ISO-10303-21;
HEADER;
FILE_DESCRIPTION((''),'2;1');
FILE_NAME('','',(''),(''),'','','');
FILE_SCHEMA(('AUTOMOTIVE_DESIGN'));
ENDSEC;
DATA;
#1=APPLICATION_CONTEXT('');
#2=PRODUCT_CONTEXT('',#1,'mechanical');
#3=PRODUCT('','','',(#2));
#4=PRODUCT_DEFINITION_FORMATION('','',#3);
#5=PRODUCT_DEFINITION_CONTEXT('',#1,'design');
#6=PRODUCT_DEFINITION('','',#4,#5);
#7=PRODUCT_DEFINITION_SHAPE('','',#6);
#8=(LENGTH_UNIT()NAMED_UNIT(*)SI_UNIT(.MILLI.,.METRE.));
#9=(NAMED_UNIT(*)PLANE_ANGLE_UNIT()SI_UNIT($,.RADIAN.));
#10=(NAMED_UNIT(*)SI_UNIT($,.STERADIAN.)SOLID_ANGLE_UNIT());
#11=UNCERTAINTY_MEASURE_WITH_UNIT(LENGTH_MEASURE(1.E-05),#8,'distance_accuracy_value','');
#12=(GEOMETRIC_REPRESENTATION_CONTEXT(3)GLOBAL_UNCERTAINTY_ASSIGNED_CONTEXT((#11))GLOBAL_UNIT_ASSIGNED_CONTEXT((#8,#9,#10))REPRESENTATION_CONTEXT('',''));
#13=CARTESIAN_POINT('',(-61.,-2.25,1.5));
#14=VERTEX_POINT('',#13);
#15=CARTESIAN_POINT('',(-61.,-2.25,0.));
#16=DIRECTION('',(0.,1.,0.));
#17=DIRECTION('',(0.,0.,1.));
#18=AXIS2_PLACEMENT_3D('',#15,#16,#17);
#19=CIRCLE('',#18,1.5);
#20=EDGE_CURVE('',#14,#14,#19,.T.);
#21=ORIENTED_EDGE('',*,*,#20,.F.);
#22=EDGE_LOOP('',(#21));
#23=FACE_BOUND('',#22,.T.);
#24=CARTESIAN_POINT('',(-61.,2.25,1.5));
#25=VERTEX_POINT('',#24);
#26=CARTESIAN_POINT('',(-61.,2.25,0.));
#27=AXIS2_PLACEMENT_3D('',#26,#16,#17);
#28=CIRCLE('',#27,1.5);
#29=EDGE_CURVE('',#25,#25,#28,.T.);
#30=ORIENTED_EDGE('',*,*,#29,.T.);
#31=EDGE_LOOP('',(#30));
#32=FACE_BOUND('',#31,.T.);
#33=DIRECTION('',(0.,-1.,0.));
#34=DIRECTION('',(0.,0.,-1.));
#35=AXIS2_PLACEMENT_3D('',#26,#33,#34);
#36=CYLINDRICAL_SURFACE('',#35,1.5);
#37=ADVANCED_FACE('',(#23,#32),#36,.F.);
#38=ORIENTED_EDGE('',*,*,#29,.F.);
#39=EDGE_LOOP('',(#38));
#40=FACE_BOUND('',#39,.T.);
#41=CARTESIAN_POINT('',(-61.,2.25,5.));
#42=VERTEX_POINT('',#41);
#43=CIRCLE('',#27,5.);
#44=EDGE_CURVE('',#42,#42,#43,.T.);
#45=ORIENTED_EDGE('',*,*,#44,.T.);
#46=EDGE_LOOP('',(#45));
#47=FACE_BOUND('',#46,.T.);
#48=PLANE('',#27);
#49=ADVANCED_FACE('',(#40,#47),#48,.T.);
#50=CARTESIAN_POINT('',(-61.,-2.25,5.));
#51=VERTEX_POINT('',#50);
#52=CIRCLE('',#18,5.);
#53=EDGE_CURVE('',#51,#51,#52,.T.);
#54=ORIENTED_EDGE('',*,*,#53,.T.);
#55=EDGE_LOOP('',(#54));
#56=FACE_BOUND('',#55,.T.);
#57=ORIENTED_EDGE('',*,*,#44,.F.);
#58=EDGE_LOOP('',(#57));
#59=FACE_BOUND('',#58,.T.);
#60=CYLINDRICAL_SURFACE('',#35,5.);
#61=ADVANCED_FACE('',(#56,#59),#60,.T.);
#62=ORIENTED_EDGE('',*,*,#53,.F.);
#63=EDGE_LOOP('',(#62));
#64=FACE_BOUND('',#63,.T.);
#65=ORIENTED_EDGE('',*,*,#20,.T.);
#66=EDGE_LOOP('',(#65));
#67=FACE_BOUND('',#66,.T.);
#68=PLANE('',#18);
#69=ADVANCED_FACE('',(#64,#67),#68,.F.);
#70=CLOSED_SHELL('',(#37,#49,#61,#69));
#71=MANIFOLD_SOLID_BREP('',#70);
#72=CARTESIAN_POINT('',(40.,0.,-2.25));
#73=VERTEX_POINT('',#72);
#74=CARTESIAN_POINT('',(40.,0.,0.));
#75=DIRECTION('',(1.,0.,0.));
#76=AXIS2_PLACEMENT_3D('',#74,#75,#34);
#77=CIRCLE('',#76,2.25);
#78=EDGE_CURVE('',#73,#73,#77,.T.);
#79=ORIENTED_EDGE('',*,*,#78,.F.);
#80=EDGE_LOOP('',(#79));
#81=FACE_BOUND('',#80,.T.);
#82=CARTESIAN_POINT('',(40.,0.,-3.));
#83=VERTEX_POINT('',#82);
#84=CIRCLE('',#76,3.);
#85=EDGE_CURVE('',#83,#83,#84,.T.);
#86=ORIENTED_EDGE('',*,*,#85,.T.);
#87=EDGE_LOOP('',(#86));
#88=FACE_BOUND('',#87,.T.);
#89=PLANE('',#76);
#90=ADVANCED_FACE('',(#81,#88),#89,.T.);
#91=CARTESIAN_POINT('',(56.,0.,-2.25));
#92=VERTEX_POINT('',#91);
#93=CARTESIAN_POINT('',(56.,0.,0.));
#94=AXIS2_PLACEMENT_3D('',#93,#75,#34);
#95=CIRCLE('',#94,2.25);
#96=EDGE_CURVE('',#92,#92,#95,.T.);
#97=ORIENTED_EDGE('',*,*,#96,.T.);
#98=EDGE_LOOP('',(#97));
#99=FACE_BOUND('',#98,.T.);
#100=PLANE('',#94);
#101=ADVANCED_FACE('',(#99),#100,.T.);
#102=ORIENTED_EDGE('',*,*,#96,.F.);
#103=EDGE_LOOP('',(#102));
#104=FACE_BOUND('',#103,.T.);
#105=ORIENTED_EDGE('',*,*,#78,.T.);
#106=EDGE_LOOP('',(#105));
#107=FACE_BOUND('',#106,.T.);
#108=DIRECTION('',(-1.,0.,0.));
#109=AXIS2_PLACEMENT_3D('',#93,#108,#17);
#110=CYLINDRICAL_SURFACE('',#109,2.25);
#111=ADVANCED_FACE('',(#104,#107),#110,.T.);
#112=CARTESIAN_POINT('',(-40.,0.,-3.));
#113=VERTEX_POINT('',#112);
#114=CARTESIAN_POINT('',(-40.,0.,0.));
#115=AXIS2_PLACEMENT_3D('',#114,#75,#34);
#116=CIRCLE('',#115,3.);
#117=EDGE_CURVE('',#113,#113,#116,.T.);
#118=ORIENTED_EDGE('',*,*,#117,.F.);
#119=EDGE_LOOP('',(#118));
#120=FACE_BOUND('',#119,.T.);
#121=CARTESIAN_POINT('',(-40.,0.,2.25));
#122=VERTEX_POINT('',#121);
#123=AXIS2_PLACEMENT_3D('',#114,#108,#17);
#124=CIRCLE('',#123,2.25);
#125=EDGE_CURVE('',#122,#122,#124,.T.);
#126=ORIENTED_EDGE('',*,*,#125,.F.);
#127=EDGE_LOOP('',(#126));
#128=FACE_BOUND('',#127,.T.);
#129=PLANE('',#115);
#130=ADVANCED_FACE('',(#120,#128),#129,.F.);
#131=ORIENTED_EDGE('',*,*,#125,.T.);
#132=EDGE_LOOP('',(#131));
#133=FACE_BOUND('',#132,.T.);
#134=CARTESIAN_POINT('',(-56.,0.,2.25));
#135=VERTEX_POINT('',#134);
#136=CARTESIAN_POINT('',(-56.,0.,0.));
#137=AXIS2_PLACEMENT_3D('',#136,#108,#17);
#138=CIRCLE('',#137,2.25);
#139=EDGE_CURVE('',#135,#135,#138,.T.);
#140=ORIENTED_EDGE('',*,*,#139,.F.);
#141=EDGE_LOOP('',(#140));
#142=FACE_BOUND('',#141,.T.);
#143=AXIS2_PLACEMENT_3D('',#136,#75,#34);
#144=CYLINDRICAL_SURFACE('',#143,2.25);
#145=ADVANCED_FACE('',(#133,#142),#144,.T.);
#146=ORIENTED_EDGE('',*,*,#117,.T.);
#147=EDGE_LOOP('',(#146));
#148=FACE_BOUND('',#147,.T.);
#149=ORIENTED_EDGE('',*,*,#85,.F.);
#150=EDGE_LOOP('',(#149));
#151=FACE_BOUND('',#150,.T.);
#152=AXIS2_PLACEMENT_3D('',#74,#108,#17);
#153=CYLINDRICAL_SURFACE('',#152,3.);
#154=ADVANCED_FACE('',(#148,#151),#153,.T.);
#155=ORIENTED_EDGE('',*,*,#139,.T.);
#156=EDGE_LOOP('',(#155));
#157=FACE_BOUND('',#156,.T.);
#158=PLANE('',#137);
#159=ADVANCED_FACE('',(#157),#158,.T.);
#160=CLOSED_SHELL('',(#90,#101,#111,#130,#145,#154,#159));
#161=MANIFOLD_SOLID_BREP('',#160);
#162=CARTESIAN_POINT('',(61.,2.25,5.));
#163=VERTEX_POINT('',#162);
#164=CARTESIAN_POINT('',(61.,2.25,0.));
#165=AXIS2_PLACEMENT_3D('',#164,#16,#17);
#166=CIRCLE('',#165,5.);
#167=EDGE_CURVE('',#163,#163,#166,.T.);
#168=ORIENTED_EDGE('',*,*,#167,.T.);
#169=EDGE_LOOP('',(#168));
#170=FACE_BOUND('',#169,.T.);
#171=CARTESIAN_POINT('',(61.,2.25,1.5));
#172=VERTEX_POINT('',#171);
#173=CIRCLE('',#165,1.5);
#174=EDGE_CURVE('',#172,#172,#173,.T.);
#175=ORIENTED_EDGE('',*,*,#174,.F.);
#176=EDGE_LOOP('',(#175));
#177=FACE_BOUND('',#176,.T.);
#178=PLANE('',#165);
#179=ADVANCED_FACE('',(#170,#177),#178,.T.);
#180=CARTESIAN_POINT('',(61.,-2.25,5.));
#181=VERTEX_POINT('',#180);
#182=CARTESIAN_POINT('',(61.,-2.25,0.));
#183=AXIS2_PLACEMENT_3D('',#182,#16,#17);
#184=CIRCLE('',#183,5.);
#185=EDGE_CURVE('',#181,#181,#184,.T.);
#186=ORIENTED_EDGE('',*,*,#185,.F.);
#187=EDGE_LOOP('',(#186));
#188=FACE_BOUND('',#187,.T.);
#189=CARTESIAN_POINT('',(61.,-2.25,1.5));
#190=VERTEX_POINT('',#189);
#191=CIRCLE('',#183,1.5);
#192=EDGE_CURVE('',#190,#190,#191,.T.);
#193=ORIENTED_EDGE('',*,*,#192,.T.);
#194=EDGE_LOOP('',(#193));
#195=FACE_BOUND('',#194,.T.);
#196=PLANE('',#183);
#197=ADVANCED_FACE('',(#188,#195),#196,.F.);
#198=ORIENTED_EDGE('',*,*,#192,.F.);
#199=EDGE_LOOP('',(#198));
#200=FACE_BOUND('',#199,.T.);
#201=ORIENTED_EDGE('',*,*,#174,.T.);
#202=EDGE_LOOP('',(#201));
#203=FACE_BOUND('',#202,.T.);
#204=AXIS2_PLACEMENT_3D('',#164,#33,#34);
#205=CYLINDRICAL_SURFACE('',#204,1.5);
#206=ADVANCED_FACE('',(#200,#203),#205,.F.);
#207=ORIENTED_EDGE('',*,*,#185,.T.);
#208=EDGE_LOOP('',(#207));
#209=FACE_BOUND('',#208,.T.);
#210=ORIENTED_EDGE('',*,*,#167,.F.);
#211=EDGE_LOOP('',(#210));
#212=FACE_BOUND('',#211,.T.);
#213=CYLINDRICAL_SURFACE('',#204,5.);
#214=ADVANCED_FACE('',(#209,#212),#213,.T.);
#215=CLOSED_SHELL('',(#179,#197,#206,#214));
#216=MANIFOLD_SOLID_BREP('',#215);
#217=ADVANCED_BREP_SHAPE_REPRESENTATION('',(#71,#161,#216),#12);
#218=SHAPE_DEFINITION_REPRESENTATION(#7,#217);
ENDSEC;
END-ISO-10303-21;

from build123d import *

# Parameters (mm, degrees)
SKETCH1_R             = 3
BOSS_EXTRUDE1_DEPTH   = 40
SKETCH2_R             = 2.25
BOSS_EXTRUDE2_DEPTH   = 16
BOSS_EXTRUDE4_START   = 16
SKETCH4_R             = 2.25
BOSS_EXTRUDE4_DEPTH   = 16
SKETCH3_R             = 5
SKETCH3_R_2           = 1.5
BOSS_EXTRUDE3_DEPTH   = 2.25
BOSS_EXTRUDE3_2_DEPTH = 2.25


with BuildPart() as part:
    # Sketch1 → Boss-Extrude1 (new, symmetric)
    with BuildSketch(Plane(origin=(0, 0, 0), x_dir=(0, 0, -1), z_dir=(1, 0, 0))):
        Circle(SKETCH1_R)
    extrude(amount=BOSS_EXTRUDE1_DEPTH, both=True)

    # Sketch2 → Boss-Extrude2 (add)
    with BuildSketch(Plane(origin=(40, 0, 0), x_dir=(0, 0, -1), z_dir=(1, 0, 0))):
        Circle(SKETCH2_R)
    extrude(amount=BOSS_EXTRUDE2_DEPTH)

    # Sketch4 → Boss-Extrude4 (add)
    with BuildSketch(Plane.ZY.offset(40).offset(BOSS_EXTRUDE4_START)):
        with Locations(Location((0, 0, 0), (0, 0, 180))):
            Circle(SKETCH4_R)
    extrude(amount=-BOSS_EXTRUDE4_DEPTH)


with BuildPart() as body_2:
    # Sketch3 → Boss-Extrude3 (new, symmetric)
    with BuildSketch(Plane(origin=(0, 0, 0), x_dir=(1, 0, 0), z_dir=(0, 1, 0))):
        with Locations(Location((61, 0, 0), (0, 0, 270))):
            Circle(SKETCH3_R)
        with Locations(Location((61, 0, 0), (0, 0, 270))):
            Circle(SKETCH3_R_2, mode=Mode.SUBTRACT)
    extrude(amount=BOSS_EXTRUDE3_DEPTH, both=True)


with BuildPart() as body_3:
    # Sketch3 → Boss-Extrude3 2 (new, symmetric)
    with BuildSketch(Plane(origin=(0, 0, 0), x_dir=(1, 0, 0), z_dir=(0, 1, 0))):
        with Locations(Location((-61, 0, 0), (0, 0, 270))):
            Circle(SKETCH3_R)
        with Locations(Location((-61, 0, 0), (0, 0, 270))):
            Circle(SKETCH3_R_2, mode=Mode.SUBTRACT)
    extrude(amount=BOSS_EXTRUDE3_2_DEPTH, both=True)


solid = Compound([part.part, body_2.part, body_3.part])
